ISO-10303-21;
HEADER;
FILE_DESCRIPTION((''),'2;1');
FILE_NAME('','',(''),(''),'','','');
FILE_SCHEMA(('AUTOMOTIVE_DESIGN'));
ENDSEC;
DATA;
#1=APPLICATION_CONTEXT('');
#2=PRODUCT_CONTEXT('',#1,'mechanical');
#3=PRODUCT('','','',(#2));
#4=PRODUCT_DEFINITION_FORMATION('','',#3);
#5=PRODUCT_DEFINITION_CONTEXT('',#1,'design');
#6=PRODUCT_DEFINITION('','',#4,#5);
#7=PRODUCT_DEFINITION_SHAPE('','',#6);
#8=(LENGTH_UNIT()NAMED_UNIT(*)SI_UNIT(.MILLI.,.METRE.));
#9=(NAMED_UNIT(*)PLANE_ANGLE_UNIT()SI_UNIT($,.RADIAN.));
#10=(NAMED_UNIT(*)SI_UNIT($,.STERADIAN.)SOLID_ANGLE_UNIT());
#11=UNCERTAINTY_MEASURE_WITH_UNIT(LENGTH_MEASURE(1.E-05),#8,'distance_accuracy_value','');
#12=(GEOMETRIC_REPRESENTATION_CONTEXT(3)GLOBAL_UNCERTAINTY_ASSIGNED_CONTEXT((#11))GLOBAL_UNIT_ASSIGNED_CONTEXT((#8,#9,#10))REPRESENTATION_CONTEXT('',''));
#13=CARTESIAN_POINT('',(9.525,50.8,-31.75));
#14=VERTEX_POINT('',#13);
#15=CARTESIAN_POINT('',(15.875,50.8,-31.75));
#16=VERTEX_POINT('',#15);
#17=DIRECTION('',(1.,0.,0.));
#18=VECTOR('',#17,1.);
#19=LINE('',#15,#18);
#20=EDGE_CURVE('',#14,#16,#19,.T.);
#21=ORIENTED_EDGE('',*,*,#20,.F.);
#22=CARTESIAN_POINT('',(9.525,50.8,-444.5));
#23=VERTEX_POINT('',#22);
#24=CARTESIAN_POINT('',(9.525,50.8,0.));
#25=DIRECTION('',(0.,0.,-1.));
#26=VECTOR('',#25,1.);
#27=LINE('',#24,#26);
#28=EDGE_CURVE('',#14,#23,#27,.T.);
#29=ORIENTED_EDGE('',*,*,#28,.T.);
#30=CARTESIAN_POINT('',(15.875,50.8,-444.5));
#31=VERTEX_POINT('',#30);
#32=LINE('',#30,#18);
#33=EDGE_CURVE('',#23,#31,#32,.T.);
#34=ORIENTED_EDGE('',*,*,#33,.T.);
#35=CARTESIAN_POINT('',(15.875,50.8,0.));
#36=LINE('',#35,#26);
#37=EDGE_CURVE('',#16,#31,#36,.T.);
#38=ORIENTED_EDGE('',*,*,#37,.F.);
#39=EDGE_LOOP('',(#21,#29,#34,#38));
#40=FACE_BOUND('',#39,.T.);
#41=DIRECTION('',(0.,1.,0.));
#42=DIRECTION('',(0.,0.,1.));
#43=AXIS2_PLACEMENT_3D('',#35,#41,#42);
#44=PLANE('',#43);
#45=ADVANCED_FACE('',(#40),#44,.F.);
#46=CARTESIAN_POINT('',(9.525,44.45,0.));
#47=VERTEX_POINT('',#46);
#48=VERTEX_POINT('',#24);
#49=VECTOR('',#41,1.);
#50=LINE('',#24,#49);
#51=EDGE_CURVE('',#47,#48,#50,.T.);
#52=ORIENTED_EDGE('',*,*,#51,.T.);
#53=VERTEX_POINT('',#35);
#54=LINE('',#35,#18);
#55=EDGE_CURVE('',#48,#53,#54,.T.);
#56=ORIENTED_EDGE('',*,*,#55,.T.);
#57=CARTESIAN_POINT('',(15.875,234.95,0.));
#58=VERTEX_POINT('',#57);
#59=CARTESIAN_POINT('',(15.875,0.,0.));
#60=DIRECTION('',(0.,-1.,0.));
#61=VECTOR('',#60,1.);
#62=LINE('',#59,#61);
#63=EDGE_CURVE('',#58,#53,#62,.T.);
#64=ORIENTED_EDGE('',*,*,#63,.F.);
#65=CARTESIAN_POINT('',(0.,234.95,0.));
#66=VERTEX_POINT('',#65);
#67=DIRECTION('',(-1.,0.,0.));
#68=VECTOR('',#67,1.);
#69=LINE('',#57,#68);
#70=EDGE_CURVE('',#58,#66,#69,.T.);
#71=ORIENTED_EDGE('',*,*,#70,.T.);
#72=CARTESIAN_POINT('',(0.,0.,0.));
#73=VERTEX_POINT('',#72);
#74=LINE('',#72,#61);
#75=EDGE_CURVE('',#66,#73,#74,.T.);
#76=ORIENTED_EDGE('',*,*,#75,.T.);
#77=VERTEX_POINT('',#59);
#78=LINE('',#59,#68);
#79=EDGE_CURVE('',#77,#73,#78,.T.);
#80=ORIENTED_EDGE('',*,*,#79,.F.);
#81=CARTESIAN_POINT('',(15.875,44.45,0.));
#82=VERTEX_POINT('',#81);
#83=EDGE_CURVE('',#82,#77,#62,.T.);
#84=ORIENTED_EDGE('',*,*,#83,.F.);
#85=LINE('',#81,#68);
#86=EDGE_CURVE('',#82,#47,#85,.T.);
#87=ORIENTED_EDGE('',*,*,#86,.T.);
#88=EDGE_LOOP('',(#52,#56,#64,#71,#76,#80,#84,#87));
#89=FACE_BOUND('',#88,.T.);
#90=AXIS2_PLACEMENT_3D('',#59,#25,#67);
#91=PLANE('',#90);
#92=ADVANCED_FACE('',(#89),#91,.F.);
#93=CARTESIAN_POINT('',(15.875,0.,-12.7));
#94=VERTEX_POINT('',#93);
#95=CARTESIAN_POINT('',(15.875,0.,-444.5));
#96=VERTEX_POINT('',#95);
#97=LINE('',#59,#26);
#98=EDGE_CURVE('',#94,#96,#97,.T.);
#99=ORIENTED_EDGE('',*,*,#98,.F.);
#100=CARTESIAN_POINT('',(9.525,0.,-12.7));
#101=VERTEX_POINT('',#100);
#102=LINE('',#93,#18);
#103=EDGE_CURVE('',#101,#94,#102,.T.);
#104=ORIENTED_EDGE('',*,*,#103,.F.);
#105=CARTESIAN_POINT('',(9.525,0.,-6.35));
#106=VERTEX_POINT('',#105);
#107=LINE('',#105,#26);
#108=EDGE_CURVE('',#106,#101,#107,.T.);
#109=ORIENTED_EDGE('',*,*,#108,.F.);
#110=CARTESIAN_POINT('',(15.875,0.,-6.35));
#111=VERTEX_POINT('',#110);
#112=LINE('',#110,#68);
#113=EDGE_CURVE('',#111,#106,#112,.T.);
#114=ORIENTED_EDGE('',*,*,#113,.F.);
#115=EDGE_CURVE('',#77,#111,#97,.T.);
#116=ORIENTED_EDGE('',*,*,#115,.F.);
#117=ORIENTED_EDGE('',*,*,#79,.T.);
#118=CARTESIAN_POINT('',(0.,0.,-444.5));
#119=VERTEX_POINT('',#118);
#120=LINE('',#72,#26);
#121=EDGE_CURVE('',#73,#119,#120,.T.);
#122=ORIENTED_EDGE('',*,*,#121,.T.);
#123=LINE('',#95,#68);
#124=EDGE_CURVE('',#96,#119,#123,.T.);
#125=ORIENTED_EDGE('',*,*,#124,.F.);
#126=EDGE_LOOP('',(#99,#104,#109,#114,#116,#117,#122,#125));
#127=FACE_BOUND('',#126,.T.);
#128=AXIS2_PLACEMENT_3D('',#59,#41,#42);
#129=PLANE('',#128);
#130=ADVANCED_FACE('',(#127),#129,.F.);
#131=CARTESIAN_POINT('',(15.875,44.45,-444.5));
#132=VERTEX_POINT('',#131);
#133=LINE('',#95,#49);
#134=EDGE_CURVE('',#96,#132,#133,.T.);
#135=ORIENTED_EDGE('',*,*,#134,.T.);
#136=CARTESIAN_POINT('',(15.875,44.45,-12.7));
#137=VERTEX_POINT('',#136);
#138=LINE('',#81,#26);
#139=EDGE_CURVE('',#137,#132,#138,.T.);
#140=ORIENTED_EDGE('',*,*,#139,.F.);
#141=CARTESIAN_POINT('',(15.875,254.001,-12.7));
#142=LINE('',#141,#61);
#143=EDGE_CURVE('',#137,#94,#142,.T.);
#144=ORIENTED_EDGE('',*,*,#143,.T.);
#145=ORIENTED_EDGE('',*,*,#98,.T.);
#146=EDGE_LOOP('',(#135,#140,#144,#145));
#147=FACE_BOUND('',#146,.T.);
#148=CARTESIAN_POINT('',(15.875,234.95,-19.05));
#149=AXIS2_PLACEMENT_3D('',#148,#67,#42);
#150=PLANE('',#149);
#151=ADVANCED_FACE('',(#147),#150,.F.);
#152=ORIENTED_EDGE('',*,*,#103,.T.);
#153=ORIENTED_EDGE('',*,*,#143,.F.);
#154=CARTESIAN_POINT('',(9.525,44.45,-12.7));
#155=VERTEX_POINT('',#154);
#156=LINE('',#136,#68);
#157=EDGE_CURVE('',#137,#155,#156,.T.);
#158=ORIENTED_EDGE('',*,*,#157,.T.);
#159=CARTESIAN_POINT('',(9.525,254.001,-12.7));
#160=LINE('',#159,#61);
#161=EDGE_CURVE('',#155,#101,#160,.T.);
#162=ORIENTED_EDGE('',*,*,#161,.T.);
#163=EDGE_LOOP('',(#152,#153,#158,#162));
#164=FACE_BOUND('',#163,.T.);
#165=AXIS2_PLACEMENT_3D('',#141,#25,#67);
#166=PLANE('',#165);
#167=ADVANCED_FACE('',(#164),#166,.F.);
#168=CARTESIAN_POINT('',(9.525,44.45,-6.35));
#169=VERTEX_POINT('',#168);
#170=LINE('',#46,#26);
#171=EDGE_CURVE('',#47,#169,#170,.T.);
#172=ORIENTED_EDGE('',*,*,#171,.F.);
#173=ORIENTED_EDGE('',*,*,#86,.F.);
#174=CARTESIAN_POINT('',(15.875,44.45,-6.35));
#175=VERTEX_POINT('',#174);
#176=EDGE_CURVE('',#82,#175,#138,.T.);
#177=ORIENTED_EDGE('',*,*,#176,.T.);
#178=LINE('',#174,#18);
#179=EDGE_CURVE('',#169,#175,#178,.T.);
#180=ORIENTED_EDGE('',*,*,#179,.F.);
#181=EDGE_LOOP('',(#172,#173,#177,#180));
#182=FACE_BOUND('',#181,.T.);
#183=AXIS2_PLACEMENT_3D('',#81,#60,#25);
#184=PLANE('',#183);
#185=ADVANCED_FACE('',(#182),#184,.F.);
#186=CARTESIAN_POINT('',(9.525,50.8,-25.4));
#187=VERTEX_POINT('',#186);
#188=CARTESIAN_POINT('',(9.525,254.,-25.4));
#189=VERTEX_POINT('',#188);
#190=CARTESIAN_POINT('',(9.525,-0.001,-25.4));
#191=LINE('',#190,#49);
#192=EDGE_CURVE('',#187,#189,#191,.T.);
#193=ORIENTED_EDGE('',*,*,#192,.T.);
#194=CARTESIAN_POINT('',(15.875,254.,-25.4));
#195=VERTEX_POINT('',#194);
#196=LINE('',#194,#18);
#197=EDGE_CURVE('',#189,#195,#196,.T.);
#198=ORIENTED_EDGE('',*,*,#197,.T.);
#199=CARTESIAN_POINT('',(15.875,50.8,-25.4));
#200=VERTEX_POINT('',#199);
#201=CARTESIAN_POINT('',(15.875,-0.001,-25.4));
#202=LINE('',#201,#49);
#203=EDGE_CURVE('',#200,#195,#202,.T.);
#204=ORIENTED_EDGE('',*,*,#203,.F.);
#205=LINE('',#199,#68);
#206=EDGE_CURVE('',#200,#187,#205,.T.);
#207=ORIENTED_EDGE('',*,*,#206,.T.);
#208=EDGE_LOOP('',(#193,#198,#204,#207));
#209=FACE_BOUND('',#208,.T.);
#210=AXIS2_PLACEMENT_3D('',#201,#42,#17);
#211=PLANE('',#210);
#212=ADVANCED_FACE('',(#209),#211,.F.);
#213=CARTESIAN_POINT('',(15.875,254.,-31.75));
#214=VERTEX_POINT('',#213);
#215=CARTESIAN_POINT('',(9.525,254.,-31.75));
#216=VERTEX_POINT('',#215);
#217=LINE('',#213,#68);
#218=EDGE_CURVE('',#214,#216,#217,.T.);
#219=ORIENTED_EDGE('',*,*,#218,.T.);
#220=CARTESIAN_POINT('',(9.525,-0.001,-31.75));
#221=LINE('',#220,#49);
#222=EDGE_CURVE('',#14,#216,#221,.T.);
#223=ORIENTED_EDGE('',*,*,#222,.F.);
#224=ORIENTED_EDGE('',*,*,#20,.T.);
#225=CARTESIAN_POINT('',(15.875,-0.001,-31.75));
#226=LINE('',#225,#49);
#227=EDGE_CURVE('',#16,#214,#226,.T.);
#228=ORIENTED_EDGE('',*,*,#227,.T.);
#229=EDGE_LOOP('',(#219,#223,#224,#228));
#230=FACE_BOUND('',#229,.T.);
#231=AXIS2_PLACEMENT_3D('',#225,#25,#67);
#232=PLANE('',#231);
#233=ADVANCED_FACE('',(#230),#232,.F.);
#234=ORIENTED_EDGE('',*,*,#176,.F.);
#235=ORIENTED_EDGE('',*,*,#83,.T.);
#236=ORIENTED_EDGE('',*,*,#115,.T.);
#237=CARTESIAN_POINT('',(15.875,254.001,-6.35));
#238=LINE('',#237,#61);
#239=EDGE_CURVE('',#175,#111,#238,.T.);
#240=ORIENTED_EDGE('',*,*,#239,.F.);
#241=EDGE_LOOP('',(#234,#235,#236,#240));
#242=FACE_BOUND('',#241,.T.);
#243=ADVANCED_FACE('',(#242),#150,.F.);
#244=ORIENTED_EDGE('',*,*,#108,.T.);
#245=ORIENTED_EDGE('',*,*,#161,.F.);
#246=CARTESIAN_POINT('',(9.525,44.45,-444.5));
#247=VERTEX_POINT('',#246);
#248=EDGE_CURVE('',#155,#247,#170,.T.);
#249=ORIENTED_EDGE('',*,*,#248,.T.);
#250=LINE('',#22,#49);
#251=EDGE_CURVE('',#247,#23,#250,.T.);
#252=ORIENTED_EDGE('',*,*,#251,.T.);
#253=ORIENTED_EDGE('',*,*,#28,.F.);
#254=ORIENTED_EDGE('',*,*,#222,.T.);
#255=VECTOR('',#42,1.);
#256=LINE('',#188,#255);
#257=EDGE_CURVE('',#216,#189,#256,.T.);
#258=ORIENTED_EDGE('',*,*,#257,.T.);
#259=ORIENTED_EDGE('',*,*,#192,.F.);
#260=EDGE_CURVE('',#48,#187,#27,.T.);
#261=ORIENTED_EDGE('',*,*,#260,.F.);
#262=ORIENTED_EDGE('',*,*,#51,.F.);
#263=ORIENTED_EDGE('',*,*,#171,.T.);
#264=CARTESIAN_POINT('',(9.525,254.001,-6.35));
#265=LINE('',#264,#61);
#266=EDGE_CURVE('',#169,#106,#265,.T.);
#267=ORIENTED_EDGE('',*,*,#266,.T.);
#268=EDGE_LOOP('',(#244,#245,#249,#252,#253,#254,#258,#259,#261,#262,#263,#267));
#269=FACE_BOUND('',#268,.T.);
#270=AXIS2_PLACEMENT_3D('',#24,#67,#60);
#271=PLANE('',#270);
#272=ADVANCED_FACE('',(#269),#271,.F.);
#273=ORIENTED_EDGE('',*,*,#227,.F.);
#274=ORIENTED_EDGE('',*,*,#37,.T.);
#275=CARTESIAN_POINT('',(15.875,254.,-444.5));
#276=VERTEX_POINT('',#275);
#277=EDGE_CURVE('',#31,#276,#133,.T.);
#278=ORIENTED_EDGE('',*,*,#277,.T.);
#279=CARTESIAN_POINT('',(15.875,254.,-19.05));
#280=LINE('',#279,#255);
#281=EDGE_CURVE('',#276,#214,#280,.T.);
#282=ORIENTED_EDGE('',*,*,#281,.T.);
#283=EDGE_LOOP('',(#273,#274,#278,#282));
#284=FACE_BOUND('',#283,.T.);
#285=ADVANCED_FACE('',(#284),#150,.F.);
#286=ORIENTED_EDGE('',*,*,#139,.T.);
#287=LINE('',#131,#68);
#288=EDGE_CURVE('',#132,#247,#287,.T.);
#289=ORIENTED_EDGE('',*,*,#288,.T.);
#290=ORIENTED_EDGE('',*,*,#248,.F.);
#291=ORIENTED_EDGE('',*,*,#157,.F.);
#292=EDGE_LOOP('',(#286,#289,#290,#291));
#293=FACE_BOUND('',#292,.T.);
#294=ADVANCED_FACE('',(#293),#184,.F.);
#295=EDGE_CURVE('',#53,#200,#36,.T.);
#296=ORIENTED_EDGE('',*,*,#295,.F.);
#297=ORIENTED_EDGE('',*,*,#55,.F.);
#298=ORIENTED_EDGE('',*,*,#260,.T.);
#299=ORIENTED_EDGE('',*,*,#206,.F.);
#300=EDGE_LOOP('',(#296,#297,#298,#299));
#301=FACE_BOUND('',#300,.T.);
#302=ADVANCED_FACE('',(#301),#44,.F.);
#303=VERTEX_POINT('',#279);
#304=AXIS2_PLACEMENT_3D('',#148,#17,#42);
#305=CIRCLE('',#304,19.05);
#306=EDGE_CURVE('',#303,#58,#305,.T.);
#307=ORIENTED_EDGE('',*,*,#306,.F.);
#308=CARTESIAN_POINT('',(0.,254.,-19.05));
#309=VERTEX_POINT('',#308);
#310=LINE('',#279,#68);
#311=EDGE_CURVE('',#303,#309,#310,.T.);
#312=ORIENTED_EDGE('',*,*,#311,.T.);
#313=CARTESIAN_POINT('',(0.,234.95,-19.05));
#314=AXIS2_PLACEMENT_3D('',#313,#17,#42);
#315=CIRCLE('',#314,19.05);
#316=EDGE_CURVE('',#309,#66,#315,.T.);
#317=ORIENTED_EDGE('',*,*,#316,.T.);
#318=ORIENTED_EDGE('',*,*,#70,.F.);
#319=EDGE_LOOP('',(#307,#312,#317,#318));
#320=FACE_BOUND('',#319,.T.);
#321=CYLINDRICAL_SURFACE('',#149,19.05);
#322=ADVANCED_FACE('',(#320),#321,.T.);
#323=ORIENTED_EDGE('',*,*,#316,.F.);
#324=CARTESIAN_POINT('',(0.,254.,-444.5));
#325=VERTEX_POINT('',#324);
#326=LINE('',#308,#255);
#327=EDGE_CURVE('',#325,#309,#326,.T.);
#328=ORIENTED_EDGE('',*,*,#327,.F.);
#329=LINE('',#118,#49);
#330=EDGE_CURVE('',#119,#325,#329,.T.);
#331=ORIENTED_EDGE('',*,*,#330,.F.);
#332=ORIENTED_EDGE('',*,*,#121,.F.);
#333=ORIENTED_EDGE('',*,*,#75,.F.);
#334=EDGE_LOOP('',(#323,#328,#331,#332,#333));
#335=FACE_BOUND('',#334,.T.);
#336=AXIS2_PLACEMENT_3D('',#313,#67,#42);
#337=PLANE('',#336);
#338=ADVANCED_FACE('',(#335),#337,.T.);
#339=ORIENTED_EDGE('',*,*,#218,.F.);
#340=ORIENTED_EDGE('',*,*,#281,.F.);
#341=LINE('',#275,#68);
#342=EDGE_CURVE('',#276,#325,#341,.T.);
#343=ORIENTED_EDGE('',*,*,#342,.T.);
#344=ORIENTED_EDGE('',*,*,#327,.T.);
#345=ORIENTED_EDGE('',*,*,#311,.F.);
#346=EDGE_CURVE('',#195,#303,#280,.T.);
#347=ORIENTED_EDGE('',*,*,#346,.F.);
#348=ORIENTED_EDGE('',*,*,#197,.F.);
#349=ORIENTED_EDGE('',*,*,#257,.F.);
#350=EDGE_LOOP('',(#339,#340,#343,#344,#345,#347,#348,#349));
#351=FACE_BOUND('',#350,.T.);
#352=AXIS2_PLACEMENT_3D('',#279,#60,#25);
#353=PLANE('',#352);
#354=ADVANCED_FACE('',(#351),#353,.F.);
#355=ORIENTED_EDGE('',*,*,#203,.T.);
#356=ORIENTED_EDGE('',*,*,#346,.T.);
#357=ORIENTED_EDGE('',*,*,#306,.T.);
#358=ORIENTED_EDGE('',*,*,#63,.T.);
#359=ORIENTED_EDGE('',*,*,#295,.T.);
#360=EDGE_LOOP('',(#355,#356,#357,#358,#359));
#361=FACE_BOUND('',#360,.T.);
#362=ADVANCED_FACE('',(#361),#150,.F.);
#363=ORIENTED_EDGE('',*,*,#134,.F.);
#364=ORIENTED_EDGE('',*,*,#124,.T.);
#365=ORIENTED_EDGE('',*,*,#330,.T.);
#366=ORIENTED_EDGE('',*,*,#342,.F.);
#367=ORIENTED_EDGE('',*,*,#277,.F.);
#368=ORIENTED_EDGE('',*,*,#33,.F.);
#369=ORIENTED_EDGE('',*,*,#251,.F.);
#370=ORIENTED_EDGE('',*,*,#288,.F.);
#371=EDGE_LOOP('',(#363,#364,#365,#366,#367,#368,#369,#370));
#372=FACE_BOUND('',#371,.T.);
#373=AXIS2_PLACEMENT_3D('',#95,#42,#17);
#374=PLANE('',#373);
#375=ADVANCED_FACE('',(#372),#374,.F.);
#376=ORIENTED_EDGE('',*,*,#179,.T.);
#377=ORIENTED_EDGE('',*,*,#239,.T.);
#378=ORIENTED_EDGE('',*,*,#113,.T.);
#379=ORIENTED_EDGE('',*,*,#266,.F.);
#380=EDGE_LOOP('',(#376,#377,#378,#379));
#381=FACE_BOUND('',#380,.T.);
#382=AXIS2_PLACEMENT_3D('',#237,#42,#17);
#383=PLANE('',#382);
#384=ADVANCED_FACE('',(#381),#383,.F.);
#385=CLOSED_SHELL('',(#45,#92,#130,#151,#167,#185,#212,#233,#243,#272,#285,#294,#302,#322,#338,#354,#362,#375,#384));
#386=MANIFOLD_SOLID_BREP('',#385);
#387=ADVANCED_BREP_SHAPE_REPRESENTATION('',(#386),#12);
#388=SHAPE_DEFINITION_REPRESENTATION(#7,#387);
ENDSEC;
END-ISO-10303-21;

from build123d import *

# Parameters (mm, degrees)
BOSS_EXTRUDE1_DEPTH = 15.875
SKETCH2_W           = 6.35
SKETCH2_H           = 6.35
CUT_EXTRUDE1_DEPTH  = 445.5
CUT_EXTRUDE3_REACH  = 256
SKETCH3_W           = 6.35
SKETCH3_H           = 6.35
CUT_EXTRUDE4_REACH  = 256
SKETCH4_W           = 6.35
SKETCH4_H           = 6.35


with BuildPart() as part:
    # Sketch1 → Boss-Extrude1 (new body)
    with BuildSketch(Plane(origin=(0, 0, 0), x_dir=(0, 0, -1), z_dir=(1, 0, 0))):
        with BuildLine():
            Line((0, 0), (444.5, 0))
            Line((444.5, 0), (444.5, 254))
            Line((444.5, 254), (19.05, 254))
            ThreePointArc((19.05, 254), (5.579615818, 248.420384182), (0, 234.95))
            Line((0, 234.95), (0, 0))
        make_face()
    extrude(amount=BOSS_EXTRUDE1_DEPTH)

    # Sketch2 → Cut-Extrude1 (cut, through all)
    with BuildSketch(Plane(origin=(0, 0, -444.5), x_dir=(-1, 0, 0), z_dir=(0, 0, -1))):
        with Locations((-12.7, 47.625)):
            Rectangle(SKETCH2_W, SKETCH2_H)
    extrude(amount=-CUT_EXTRUDE1_DEPTH, mode=Mode.SUBTRACT)

    # Sketch3 → Cut-Extrude3 (cut, up to next)
    with BuildSketch(Plane.XZ, mode=Mode.PRIVATE) as cut_extrude3_sk1:
        with Locations((12.7, -9.525)):
            Rectangle(SKETCH3_W, SKETCH3_H)
    cut_extrude3_tool1 = extrude(cut_extrude3_sk1.sketch, amount=-CUT_EXTRUDE3_REACH, mode=Mode.PRIVATE) & part.part
    add(cut_extrude3_tool1.solids().sort_by_distance((12.7, 0, -9.525))[0], mode=Mode.SUBTRACT)

    # Sketch4 → Cut-Extrude4 (cut, up to next)
    with BuildSketch(Plane(origin=(0, 254, 0), x_dir=(1, 0, 0), z_dir=(0, 1, 0)), mode=Mode.PRIVATE) as cut_extrude4_sk1:
        with Locations((12.7, 28.575)):
            Rectangle(SKETCH4_W, SKETCH4_H)
    cut_extrude4_tool1 = extrude(cut_extrude4_sk1.sketch, amount=-CUT_EXTRUDE4_REACH, mode=Mode.PRIVATE) & part.part
    add(cut_extrude4_tool1.solids().sort_by_distance((12.7, 254, -28.575))[0], mode=Mode.SUBTRACT)


solid = part.part
